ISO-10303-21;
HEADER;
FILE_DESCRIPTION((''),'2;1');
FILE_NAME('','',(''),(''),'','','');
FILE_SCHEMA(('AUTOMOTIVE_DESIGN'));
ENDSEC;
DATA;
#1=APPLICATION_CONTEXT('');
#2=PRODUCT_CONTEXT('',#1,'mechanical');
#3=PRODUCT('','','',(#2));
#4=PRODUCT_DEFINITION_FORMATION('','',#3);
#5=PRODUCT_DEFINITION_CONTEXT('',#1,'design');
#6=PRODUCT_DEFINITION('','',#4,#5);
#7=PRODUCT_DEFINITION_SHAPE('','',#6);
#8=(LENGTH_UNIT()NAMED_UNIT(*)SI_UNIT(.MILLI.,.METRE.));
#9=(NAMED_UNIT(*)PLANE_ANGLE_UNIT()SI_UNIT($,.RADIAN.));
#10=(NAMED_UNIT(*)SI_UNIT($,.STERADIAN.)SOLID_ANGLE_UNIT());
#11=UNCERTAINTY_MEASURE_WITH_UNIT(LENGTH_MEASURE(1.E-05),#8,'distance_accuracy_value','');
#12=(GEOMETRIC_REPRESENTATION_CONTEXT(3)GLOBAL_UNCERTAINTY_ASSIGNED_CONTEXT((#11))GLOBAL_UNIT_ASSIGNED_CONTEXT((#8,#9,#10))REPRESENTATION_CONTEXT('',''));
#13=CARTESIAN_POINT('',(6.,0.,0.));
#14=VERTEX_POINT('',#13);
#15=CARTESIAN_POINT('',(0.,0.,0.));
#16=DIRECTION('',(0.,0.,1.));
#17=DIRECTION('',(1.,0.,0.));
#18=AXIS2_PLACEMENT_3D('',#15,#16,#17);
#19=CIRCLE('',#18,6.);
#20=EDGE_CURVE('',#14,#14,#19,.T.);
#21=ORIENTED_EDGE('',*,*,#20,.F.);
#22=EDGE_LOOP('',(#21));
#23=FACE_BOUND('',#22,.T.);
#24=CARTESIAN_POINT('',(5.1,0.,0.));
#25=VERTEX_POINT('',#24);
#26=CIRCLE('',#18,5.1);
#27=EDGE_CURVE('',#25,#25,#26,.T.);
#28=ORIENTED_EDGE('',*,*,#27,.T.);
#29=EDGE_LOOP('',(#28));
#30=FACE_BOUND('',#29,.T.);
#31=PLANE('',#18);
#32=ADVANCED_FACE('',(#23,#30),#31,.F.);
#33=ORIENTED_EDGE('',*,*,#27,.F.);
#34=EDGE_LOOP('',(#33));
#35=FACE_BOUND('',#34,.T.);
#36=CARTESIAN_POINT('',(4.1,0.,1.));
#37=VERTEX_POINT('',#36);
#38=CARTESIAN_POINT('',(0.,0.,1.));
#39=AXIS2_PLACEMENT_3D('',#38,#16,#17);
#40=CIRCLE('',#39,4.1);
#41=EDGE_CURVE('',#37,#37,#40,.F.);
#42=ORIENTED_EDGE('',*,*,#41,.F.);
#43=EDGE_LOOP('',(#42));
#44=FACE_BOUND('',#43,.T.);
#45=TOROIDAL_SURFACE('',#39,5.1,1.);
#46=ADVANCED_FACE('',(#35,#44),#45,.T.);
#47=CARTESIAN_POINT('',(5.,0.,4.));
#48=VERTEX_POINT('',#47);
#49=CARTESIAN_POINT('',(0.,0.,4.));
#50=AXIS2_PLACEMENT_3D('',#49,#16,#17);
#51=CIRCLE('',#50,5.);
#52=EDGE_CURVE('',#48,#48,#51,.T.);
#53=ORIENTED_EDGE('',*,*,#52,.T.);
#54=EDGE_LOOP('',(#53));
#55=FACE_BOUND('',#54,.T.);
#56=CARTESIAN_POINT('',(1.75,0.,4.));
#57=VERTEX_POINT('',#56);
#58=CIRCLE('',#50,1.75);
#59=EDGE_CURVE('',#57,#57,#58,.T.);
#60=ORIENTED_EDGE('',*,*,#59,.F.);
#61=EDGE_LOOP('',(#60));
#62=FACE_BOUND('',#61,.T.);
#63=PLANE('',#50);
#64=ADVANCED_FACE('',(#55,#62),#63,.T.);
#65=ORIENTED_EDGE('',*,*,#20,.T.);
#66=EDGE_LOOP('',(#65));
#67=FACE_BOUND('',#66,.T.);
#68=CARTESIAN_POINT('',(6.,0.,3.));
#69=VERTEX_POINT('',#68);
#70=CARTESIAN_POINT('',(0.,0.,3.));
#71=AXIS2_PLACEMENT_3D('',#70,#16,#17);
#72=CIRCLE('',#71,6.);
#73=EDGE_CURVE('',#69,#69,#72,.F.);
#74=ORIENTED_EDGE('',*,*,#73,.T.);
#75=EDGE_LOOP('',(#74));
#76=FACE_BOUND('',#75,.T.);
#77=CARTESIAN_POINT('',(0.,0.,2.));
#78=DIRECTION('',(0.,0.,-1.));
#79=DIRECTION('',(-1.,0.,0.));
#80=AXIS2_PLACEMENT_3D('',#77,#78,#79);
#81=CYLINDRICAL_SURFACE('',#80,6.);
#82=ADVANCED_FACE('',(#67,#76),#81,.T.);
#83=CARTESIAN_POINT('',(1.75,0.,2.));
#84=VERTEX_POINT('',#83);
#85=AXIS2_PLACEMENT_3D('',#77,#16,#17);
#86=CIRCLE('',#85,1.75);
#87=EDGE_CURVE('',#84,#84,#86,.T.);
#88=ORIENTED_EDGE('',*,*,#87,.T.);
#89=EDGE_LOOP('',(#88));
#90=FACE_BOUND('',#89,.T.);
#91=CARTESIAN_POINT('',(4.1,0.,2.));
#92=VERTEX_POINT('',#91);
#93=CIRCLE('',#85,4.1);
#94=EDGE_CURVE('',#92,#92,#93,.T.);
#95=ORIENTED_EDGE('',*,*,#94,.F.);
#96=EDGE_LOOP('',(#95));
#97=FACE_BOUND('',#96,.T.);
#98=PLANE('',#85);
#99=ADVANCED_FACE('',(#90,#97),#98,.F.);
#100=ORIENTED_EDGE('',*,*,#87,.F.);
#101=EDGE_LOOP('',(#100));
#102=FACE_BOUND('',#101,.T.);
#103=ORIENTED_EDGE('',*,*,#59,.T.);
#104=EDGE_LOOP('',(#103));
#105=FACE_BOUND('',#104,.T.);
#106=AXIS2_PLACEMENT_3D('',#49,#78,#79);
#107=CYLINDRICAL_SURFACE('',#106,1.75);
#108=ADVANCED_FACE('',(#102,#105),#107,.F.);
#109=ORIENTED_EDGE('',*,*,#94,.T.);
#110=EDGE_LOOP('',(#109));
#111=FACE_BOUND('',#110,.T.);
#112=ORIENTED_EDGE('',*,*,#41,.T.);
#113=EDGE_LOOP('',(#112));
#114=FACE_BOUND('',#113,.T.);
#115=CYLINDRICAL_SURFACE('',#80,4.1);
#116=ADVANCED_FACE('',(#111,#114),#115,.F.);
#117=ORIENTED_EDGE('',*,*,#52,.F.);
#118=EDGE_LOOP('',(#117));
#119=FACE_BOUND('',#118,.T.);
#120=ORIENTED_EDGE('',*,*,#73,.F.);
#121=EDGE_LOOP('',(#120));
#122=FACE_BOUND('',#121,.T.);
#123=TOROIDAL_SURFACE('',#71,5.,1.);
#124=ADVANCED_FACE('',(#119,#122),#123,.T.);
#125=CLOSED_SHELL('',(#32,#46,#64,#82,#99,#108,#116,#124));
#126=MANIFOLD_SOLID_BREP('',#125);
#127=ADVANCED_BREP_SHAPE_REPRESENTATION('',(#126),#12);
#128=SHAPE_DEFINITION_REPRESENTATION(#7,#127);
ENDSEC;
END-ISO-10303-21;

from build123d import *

# Parameters (mm, degrees)
SKETCH1_R           = 6
SKETCH1_R_2         = 4.1
BOSS_EXTRUDE1_DEPTH = 2
SKETCH2_R           = 6
SKETCH2_R_2         = 1.75
BOSS_EXTRUDE2_DEPTH = 2
FILLET1_R           = 1


with BuildPart() as part:
    # Sketch1 → Boss-Extrude1 (new body)
    with BuildSketch(Plane.XY):
        Circle(SKETCH1_R)
        Circle(SKETCH1_R_2, mode=Mode.SUBTRACT)
    extrude(amount=BOSS_EXTRUDE1_DEPTH)

    # Sketch2 → Boss-Extrude2 (add)
    with BuildSketch(Plane.XY.offset(2)):
        Circle(SKETCH2_R)
        Circle(SKETCH2_R_2, mode=Mode.SUBTRACT)
    extrude(amount=BOSS_EXTRUDE2_DEPTH)

    # Fillet1
    fillet1_edges = [part.edges().sort_by_distance(p)[0] for p in [
        (-6, 0, 4),
        (-4.1, 0, 0),
    ]]
    fillet(fillet1_edges, radius=FILLET1_R)


solid = part.part
